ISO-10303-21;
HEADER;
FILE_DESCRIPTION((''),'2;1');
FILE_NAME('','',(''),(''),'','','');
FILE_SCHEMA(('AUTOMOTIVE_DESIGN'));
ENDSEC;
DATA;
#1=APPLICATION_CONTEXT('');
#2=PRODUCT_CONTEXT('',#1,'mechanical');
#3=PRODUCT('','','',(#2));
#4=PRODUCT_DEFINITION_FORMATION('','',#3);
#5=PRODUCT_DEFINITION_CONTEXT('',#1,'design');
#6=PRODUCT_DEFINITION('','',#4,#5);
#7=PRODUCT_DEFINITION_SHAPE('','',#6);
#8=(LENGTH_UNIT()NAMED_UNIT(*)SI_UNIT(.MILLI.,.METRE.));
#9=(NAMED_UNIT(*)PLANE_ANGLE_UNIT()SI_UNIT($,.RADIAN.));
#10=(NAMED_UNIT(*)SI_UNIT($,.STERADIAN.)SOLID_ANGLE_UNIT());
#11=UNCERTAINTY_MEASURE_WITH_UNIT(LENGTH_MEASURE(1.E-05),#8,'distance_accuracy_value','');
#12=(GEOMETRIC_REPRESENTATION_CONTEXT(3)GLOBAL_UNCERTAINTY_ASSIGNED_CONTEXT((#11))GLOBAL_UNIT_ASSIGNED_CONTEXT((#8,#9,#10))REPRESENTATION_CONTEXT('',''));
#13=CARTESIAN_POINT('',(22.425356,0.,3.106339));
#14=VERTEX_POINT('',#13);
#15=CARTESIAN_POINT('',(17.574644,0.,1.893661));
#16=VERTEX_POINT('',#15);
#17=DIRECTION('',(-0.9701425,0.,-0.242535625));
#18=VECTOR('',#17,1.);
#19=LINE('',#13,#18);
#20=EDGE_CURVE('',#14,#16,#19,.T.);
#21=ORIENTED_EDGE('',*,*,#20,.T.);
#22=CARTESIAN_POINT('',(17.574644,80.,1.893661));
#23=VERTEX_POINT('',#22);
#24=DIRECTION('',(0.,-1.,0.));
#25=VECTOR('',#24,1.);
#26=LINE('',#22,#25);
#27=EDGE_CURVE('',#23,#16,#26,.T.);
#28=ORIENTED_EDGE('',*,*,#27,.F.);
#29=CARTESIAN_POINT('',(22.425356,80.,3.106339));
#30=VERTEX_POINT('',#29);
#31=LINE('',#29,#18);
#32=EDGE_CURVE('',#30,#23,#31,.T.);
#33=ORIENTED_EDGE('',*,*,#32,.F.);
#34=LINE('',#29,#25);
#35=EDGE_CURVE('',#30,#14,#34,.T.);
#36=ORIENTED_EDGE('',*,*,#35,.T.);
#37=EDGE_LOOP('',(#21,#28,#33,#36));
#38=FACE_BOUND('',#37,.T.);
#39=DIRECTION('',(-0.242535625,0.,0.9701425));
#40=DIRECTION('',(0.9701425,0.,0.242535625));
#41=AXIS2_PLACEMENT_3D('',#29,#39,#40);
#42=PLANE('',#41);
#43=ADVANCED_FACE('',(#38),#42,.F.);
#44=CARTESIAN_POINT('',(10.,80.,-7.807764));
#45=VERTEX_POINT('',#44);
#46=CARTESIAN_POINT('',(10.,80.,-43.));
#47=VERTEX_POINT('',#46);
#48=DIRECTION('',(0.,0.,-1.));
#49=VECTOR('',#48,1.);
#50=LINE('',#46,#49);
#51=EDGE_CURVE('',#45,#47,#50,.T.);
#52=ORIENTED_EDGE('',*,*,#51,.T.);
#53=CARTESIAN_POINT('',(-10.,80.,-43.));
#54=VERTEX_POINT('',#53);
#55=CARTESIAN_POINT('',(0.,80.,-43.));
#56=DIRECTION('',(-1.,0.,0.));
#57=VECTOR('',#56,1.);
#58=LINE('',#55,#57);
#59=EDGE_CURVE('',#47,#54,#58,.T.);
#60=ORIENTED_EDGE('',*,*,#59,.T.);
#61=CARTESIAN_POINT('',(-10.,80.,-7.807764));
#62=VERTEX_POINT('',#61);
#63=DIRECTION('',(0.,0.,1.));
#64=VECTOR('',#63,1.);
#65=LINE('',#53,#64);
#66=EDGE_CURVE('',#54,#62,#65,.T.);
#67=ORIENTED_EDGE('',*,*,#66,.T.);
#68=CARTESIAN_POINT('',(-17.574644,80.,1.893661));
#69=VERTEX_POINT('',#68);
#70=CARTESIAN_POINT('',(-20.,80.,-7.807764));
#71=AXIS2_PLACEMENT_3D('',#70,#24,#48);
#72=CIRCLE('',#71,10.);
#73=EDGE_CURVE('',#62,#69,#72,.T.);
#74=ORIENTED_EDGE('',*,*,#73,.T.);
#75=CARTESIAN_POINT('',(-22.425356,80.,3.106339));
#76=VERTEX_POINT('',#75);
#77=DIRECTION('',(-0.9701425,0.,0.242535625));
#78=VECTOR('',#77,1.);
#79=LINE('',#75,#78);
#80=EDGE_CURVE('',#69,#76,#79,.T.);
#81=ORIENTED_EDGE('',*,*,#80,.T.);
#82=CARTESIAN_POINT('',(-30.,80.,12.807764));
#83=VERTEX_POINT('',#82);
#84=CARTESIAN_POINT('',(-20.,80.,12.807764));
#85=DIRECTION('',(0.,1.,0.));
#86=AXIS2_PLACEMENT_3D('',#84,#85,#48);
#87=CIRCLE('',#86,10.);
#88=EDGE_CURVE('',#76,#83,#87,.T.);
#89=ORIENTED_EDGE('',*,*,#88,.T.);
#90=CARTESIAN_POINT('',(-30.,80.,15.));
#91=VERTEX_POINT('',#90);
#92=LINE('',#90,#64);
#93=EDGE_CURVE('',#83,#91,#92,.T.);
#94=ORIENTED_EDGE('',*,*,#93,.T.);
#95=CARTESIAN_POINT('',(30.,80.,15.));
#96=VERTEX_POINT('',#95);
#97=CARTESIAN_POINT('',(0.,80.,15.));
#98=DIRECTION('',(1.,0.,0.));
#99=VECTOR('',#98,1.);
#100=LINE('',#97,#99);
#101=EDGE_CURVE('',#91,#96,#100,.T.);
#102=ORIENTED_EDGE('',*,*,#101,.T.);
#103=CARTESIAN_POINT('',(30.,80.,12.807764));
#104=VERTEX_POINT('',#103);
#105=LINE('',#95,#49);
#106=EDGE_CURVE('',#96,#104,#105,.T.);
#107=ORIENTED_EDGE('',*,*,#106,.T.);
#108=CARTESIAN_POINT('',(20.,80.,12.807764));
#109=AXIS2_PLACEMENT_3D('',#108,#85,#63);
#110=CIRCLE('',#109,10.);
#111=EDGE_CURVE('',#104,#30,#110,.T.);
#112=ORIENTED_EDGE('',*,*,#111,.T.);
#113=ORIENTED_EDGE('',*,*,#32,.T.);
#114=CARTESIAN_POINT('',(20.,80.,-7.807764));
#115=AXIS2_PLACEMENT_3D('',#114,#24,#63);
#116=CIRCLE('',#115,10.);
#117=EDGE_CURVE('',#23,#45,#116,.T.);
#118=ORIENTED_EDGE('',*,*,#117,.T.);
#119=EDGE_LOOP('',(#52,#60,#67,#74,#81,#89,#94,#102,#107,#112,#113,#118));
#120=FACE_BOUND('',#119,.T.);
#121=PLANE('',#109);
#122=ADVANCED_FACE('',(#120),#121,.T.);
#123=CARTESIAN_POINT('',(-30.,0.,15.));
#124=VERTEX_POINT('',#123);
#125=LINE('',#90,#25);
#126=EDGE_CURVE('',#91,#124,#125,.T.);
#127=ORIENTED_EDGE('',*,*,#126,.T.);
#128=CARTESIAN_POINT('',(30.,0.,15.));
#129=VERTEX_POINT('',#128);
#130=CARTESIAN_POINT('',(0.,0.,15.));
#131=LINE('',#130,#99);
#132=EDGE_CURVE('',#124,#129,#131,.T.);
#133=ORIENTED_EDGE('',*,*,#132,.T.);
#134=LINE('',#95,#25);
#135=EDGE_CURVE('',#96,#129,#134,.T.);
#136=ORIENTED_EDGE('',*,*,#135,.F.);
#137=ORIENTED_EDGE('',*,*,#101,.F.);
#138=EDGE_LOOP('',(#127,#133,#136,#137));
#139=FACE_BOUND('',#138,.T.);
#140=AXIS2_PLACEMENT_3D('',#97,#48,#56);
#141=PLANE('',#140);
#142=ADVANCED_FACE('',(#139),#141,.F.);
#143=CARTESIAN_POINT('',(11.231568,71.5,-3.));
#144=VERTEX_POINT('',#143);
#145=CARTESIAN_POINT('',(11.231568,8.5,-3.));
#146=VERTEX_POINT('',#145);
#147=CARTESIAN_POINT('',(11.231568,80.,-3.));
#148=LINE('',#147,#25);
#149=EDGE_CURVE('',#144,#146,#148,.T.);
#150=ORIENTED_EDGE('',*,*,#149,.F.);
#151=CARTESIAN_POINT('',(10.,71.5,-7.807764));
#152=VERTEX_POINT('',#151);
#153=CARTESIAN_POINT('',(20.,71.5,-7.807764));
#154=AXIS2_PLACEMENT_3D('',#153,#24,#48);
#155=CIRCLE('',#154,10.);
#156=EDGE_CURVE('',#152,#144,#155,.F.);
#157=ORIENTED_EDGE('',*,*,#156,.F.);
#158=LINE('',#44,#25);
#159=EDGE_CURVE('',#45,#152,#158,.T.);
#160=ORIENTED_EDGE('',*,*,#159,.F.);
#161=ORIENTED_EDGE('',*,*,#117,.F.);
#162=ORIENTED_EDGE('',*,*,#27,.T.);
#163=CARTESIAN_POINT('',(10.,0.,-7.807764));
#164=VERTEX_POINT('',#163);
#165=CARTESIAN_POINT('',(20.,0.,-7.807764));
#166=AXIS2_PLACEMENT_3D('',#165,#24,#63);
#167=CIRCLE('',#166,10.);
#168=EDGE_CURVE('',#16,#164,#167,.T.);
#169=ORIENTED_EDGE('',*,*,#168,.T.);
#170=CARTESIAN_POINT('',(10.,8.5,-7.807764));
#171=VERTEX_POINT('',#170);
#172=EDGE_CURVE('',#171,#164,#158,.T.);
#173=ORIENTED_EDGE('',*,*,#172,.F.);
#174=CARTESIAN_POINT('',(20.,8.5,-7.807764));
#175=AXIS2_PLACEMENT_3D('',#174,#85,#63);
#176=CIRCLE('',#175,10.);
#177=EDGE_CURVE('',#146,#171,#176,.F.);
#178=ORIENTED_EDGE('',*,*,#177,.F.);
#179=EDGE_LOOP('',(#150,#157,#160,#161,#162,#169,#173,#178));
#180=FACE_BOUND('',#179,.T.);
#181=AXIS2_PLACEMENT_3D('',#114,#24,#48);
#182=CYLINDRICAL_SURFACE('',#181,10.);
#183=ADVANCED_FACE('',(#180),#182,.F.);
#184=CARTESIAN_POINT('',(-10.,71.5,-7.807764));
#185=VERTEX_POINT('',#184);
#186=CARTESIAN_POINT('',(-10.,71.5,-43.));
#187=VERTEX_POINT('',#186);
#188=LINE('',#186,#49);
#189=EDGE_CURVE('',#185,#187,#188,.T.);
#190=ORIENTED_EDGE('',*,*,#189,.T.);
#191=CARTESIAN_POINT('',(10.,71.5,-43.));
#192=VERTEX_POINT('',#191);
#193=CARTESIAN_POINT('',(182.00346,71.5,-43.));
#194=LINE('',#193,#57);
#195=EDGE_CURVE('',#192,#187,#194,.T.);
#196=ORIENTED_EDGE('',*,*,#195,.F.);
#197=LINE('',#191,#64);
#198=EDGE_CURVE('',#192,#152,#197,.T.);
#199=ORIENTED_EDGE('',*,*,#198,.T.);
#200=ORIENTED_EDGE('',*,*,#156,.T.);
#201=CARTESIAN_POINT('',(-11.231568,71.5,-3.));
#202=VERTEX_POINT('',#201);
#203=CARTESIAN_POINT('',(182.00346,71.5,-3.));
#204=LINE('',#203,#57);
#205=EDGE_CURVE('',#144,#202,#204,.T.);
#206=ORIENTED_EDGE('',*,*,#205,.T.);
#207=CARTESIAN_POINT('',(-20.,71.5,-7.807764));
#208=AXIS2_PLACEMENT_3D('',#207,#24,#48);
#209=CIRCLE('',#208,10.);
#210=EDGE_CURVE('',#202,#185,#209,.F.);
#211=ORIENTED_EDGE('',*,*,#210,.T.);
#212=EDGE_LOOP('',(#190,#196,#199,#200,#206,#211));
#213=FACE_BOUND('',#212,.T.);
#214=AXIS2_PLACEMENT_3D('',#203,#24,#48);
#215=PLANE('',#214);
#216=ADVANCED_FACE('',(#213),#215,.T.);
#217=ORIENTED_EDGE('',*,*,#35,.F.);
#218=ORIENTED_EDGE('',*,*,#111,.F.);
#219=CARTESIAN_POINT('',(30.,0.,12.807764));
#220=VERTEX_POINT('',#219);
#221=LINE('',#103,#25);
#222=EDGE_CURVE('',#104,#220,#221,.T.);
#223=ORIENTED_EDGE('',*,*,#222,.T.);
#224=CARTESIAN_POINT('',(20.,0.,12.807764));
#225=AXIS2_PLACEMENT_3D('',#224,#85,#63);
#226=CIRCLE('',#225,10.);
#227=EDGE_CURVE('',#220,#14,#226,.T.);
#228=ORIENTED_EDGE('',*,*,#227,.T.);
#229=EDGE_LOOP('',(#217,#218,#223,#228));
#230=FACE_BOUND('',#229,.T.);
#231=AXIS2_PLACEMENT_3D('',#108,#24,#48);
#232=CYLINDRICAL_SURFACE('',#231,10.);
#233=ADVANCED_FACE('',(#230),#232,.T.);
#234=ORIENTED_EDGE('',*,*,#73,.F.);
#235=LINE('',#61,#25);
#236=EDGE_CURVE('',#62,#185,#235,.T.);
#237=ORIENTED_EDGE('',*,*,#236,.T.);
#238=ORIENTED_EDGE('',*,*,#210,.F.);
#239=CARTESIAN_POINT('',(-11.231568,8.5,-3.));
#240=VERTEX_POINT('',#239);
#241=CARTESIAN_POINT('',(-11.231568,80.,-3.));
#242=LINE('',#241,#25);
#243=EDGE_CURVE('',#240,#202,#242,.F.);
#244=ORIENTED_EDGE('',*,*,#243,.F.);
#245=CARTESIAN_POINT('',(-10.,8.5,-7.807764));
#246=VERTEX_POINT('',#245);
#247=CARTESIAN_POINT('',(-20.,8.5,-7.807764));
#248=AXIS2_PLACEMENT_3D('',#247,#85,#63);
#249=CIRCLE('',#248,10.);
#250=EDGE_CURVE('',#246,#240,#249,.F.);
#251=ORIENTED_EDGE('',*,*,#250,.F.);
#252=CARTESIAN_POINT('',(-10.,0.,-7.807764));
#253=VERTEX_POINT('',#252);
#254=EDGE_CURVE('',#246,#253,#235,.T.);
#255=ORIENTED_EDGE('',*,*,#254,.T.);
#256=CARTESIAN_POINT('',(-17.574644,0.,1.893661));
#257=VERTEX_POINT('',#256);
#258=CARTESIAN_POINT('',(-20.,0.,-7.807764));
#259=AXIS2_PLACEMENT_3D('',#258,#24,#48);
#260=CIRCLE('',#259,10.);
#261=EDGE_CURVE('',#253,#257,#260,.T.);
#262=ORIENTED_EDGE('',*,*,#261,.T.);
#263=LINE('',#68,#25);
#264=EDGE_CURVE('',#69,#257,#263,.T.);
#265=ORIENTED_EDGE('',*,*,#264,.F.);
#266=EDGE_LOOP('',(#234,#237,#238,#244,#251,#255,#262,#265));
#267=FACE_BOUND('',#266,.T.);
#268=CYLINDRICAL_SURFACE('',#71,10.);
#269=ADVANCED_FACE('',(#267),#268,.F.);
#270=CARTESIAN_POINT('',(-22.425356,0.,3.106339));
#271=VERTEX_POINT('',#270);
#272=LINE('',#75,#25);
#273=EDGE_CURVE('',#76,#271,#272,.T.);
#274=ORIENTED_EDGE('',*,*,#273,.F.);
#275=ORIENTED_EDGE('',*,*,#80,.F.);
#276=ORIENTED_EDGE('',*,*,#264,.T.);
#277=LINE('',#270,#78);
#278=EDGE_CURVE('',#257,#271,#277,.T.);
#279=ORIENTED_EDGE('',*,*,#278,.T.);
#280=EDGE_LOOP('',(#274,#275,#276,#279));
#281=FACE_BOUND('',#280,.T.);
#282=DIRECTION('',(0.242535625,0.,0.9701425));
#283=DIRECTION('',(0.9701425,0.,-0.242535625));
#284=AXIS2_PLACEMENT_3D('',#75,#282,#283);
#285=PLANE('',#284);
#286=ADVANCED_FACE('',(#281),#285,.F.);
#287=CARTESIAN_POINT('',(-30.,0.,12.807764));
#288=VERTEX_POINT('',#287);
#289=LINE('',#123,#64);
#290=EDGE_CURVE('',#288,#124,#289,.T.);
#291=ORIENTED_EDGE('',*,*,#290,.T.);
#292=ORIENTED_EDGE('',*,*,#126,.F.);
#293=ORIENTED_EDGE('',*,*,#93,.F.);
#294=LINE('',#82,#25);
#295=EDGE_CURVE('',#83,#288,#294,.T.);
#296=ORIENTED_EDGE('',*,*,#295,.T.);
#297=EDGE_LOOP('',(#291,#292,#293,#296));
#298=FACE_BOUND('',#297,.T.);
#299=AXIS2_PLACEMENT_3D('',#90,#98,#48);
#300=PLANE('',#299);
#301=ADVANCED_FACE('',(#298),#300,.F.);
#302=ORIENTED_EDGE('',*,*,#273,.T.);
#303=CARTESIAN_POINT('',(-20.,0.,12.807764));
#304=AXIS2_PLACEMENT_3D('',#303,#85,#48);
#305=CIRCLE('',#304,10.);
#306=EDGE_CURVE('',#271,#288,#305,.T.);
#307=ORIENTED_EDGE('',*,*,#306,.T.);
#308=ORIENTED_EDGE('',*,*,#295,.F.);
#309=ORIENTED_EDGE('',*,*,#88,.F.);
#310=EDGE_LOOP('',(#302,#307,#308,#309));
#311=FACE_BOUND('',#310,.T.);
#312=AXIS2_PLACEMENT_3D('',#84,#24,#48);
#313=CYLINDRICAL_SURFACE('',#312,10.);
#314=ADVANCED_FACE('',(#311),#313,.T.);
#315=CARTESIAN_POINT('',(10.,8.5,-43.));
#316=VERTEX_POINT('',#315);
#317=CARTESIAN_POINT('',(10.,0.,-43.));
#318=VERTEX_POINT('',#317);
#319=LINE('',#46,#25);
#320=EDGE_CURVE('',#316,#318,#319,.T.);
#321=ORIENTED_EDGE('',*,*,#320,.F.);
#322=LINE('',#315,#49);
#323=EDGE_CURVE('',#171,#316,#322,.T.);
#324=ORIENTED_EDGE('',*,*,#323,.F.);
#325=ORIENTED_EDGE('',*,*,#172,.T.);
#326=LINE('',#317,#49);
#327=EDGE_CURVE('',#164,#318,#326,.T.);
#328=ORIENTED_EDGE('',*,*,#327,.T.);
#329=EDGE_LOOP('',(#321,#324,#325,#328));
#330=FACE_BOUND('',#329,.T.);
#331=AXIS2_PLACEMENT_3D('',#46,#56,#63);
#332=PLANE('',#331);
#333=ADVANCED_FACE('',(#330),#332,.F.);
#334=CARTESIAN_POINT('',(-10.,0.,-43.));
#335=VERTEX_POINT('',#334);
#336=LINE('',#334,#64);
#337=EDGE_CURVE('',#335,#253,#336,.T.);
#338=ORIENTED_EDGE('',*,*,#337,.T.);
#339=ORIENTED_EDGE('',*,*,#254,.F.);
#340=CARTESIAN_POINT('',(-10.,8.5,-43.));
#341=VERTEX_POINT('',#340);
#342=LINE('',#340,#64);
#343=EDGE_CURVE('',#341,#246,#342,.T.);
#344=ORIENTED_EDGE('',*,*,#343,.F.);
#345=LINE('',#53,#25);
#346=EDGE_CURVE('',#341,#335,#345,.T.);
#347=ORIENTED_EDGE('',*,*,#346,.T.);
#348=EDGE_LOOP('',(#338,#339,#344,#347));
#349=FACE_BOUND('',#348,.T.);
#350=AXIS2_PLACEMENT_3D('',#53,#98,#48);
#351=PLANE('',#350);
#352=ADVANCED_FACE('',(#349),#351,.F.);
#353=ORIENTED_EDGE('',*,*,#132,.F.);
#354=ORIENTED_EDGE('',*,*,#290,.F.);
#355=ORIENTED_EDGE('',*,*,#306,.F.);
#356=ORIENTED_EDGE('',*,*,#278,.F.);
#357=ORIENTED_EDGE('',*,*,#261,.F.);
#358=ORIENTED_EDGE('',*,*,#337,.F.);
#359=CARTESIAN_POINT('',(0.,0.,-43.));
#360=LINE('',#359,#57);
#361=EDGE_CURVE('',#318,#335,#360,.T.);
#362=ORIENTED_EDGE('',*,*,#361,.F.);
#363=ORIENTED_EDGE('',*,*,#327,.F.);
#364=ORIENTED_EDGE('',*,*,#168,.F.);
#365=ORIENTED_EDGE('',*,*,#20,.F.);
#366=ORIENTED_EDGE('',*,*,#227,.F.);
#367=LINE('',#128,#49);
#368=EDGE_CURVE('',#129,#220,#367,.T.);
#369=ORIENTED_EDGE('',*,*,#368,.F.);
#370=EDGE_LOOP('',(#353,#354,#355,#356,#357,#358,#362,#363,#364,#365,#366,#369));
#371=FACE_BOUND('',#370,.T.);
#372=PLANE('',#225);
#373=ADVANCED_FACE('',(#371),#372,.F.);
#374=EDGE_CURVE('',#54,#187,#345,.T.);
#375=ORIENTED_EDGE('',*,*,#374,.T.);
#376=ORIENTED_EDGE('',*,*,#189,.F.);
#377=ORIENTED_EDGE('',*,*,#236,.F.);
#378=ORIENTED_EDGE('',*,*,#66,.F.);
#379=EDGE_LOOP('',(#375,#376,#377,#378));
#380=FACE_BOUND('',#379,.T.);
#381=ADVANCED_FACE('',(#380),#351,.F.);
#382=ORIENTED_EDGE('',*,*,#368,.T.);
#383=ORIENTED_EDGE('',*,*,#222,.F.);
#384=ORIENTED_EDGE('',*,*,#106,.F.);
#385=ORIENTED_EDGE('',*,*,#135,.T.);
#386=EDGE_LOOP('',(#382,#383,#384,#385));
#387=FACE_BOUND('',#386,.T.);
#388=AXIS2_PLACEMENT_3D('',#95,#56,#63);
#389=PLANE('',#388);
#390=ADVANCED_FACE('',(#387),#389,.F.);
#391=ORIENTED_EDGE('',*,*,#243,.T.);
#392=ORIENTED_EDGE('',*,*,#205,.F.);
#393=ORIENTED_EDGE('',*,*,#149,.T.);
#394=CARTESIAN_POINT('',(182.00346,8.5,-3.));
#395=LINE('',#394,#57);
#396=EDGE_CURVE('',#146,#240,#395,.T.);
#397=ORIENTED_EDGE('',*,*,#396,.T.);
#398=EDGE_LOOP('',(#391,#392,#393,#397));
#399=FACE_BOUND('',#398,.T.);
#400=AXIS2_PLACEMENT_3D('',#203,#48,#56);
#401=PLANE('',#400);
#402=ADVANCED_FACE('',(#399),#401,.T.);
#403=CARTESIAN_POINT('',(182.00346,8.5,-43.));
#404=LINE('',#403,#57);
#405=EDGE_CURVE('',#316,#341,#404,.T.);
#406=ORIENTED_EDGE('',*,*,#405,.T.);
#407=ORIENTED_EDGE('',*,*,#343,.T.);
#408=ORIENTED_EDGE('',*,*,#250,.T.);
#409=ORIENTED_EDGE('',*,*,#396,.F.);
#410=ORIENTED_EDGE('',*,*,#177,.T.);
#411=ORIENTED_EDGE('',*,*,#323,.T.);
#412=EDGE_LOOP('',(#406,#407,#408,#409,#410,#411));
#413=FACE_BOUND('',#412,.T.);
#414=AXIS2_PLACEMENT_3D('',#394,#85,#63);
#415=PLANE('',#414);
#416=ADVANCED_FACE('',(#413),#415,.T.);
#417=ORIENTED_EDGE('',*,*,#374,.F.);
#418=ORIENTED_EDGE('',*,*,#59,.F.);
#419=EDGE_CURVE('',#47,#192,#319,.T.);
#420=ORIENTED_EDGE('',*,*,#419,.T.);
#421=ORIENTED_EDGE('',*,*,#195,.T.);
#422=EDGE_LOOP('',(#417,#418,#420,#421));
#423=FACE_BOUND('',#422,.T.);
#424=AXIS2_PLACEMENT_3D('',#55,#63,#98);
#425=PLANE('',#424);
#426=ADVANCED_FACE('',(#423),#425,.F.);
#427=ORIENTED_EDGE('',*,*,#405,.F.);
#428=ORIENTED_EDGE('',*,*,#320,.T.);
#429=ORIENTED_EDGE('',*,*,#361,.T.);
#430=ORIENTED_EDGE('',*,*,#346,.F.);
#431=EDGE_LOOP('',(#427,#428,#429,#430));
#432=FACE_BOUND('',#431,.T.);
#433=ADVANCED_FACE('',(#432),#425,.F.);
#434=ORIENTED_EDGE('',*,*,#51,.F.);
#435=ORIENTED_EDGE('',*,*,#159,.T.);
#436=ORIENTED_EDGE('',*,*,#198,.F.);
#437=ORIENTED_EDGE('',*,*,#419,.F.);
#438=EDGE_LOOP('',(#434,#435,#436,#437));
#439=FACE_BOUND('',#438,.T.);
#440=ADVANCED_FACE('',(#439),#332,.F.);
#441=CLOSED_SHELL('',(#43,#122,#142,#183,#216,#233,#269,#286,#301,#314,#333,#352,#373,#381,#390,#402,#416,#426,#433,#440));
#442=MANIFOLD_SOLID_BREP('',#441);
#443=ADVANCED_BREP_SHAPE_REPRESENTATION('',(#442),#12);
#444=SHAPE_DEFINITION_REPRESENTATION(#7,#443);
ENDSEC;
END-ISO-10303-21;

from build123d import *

# Parameters (mm, degrees)
BOSS_EXTRUDE1_DEPTH     = 80
CUT_EXTRUDE1_DEPTH      = 96.650405122
CUT_EXTRUDE1_DEPTH_BACK = 96.650405122


with BuildPart() as part:
    # Sketch1 → Boss-Extrude1 (new body)
    with BuildSketch(Plane(origin=(0, 0, 0), x_dir=(1, 0, 0), z_dir=(0, 1, 0))):
        with BuildLine():
            Line((0, -15), (-30, -15))
            Line((-30, -15), (-30, -12.807764064))
            ThreePointArc((-30, -12.807764064), (-27.88205438, -6.65364197), (-22.42535625, -3.106339063))
            Line((-22.42535625, -3.106339063), (-17.57464375, -1.893660937))
            ThreePointArc((-17.57464375, -1.893660937), (-12.11794562, 1.65364197), (-10, 7.807764064))
            Line((-10, 7.807764064), (-10, 43))
            Line((-10, 43), (0, 43))
            Line((0, 43), (10, 43))
            Line((10, 43), (10, 7.807764064))
            ThreePointArc((10, 7.807764064), (12.11794562, 1.65364197), (17.57464375, -1.893660937))
            Line((17.57464375, -1.893660937), (22.42535625, -3.106339063))
            ThreePointArc((22.42535625, -3.106339063), (27.88205438, -6.65364197), (30, -12.807764064))
            Line((30, -12.807764064), (30, -15))
            Line((30, -15), (0, -15))
        make_face()
    extrude(amount=BOSS_EXTRUDE1_DEPTH)

    # Sketch2 → Cut-Extrude1 (cut, two sides: drawn at the far end of the back side and taken through both)
    with BuildSketch(Plane(origin=(0, 0, 0), x_dir=(0, 0, -1), z_dir=(1, 0, 0)).offset(-CUT_EXTRUDE1_DEPTH_BACK)):
        Polygon((237.133104031, 8.5), (43, 8.5), (3, 8.5), (3, 71.5), (43, 71.5), (237.133104031, 71.5), (625.399312092, 71.5), (625.399312092, 8.5), align=None)
    extrude(amount=CUT_EXTRUDE1_DEPTH + CUT_EXTRUDE1_DEPTH_BACK, mode=Mode.SUBTRACT)


solid = part.part
